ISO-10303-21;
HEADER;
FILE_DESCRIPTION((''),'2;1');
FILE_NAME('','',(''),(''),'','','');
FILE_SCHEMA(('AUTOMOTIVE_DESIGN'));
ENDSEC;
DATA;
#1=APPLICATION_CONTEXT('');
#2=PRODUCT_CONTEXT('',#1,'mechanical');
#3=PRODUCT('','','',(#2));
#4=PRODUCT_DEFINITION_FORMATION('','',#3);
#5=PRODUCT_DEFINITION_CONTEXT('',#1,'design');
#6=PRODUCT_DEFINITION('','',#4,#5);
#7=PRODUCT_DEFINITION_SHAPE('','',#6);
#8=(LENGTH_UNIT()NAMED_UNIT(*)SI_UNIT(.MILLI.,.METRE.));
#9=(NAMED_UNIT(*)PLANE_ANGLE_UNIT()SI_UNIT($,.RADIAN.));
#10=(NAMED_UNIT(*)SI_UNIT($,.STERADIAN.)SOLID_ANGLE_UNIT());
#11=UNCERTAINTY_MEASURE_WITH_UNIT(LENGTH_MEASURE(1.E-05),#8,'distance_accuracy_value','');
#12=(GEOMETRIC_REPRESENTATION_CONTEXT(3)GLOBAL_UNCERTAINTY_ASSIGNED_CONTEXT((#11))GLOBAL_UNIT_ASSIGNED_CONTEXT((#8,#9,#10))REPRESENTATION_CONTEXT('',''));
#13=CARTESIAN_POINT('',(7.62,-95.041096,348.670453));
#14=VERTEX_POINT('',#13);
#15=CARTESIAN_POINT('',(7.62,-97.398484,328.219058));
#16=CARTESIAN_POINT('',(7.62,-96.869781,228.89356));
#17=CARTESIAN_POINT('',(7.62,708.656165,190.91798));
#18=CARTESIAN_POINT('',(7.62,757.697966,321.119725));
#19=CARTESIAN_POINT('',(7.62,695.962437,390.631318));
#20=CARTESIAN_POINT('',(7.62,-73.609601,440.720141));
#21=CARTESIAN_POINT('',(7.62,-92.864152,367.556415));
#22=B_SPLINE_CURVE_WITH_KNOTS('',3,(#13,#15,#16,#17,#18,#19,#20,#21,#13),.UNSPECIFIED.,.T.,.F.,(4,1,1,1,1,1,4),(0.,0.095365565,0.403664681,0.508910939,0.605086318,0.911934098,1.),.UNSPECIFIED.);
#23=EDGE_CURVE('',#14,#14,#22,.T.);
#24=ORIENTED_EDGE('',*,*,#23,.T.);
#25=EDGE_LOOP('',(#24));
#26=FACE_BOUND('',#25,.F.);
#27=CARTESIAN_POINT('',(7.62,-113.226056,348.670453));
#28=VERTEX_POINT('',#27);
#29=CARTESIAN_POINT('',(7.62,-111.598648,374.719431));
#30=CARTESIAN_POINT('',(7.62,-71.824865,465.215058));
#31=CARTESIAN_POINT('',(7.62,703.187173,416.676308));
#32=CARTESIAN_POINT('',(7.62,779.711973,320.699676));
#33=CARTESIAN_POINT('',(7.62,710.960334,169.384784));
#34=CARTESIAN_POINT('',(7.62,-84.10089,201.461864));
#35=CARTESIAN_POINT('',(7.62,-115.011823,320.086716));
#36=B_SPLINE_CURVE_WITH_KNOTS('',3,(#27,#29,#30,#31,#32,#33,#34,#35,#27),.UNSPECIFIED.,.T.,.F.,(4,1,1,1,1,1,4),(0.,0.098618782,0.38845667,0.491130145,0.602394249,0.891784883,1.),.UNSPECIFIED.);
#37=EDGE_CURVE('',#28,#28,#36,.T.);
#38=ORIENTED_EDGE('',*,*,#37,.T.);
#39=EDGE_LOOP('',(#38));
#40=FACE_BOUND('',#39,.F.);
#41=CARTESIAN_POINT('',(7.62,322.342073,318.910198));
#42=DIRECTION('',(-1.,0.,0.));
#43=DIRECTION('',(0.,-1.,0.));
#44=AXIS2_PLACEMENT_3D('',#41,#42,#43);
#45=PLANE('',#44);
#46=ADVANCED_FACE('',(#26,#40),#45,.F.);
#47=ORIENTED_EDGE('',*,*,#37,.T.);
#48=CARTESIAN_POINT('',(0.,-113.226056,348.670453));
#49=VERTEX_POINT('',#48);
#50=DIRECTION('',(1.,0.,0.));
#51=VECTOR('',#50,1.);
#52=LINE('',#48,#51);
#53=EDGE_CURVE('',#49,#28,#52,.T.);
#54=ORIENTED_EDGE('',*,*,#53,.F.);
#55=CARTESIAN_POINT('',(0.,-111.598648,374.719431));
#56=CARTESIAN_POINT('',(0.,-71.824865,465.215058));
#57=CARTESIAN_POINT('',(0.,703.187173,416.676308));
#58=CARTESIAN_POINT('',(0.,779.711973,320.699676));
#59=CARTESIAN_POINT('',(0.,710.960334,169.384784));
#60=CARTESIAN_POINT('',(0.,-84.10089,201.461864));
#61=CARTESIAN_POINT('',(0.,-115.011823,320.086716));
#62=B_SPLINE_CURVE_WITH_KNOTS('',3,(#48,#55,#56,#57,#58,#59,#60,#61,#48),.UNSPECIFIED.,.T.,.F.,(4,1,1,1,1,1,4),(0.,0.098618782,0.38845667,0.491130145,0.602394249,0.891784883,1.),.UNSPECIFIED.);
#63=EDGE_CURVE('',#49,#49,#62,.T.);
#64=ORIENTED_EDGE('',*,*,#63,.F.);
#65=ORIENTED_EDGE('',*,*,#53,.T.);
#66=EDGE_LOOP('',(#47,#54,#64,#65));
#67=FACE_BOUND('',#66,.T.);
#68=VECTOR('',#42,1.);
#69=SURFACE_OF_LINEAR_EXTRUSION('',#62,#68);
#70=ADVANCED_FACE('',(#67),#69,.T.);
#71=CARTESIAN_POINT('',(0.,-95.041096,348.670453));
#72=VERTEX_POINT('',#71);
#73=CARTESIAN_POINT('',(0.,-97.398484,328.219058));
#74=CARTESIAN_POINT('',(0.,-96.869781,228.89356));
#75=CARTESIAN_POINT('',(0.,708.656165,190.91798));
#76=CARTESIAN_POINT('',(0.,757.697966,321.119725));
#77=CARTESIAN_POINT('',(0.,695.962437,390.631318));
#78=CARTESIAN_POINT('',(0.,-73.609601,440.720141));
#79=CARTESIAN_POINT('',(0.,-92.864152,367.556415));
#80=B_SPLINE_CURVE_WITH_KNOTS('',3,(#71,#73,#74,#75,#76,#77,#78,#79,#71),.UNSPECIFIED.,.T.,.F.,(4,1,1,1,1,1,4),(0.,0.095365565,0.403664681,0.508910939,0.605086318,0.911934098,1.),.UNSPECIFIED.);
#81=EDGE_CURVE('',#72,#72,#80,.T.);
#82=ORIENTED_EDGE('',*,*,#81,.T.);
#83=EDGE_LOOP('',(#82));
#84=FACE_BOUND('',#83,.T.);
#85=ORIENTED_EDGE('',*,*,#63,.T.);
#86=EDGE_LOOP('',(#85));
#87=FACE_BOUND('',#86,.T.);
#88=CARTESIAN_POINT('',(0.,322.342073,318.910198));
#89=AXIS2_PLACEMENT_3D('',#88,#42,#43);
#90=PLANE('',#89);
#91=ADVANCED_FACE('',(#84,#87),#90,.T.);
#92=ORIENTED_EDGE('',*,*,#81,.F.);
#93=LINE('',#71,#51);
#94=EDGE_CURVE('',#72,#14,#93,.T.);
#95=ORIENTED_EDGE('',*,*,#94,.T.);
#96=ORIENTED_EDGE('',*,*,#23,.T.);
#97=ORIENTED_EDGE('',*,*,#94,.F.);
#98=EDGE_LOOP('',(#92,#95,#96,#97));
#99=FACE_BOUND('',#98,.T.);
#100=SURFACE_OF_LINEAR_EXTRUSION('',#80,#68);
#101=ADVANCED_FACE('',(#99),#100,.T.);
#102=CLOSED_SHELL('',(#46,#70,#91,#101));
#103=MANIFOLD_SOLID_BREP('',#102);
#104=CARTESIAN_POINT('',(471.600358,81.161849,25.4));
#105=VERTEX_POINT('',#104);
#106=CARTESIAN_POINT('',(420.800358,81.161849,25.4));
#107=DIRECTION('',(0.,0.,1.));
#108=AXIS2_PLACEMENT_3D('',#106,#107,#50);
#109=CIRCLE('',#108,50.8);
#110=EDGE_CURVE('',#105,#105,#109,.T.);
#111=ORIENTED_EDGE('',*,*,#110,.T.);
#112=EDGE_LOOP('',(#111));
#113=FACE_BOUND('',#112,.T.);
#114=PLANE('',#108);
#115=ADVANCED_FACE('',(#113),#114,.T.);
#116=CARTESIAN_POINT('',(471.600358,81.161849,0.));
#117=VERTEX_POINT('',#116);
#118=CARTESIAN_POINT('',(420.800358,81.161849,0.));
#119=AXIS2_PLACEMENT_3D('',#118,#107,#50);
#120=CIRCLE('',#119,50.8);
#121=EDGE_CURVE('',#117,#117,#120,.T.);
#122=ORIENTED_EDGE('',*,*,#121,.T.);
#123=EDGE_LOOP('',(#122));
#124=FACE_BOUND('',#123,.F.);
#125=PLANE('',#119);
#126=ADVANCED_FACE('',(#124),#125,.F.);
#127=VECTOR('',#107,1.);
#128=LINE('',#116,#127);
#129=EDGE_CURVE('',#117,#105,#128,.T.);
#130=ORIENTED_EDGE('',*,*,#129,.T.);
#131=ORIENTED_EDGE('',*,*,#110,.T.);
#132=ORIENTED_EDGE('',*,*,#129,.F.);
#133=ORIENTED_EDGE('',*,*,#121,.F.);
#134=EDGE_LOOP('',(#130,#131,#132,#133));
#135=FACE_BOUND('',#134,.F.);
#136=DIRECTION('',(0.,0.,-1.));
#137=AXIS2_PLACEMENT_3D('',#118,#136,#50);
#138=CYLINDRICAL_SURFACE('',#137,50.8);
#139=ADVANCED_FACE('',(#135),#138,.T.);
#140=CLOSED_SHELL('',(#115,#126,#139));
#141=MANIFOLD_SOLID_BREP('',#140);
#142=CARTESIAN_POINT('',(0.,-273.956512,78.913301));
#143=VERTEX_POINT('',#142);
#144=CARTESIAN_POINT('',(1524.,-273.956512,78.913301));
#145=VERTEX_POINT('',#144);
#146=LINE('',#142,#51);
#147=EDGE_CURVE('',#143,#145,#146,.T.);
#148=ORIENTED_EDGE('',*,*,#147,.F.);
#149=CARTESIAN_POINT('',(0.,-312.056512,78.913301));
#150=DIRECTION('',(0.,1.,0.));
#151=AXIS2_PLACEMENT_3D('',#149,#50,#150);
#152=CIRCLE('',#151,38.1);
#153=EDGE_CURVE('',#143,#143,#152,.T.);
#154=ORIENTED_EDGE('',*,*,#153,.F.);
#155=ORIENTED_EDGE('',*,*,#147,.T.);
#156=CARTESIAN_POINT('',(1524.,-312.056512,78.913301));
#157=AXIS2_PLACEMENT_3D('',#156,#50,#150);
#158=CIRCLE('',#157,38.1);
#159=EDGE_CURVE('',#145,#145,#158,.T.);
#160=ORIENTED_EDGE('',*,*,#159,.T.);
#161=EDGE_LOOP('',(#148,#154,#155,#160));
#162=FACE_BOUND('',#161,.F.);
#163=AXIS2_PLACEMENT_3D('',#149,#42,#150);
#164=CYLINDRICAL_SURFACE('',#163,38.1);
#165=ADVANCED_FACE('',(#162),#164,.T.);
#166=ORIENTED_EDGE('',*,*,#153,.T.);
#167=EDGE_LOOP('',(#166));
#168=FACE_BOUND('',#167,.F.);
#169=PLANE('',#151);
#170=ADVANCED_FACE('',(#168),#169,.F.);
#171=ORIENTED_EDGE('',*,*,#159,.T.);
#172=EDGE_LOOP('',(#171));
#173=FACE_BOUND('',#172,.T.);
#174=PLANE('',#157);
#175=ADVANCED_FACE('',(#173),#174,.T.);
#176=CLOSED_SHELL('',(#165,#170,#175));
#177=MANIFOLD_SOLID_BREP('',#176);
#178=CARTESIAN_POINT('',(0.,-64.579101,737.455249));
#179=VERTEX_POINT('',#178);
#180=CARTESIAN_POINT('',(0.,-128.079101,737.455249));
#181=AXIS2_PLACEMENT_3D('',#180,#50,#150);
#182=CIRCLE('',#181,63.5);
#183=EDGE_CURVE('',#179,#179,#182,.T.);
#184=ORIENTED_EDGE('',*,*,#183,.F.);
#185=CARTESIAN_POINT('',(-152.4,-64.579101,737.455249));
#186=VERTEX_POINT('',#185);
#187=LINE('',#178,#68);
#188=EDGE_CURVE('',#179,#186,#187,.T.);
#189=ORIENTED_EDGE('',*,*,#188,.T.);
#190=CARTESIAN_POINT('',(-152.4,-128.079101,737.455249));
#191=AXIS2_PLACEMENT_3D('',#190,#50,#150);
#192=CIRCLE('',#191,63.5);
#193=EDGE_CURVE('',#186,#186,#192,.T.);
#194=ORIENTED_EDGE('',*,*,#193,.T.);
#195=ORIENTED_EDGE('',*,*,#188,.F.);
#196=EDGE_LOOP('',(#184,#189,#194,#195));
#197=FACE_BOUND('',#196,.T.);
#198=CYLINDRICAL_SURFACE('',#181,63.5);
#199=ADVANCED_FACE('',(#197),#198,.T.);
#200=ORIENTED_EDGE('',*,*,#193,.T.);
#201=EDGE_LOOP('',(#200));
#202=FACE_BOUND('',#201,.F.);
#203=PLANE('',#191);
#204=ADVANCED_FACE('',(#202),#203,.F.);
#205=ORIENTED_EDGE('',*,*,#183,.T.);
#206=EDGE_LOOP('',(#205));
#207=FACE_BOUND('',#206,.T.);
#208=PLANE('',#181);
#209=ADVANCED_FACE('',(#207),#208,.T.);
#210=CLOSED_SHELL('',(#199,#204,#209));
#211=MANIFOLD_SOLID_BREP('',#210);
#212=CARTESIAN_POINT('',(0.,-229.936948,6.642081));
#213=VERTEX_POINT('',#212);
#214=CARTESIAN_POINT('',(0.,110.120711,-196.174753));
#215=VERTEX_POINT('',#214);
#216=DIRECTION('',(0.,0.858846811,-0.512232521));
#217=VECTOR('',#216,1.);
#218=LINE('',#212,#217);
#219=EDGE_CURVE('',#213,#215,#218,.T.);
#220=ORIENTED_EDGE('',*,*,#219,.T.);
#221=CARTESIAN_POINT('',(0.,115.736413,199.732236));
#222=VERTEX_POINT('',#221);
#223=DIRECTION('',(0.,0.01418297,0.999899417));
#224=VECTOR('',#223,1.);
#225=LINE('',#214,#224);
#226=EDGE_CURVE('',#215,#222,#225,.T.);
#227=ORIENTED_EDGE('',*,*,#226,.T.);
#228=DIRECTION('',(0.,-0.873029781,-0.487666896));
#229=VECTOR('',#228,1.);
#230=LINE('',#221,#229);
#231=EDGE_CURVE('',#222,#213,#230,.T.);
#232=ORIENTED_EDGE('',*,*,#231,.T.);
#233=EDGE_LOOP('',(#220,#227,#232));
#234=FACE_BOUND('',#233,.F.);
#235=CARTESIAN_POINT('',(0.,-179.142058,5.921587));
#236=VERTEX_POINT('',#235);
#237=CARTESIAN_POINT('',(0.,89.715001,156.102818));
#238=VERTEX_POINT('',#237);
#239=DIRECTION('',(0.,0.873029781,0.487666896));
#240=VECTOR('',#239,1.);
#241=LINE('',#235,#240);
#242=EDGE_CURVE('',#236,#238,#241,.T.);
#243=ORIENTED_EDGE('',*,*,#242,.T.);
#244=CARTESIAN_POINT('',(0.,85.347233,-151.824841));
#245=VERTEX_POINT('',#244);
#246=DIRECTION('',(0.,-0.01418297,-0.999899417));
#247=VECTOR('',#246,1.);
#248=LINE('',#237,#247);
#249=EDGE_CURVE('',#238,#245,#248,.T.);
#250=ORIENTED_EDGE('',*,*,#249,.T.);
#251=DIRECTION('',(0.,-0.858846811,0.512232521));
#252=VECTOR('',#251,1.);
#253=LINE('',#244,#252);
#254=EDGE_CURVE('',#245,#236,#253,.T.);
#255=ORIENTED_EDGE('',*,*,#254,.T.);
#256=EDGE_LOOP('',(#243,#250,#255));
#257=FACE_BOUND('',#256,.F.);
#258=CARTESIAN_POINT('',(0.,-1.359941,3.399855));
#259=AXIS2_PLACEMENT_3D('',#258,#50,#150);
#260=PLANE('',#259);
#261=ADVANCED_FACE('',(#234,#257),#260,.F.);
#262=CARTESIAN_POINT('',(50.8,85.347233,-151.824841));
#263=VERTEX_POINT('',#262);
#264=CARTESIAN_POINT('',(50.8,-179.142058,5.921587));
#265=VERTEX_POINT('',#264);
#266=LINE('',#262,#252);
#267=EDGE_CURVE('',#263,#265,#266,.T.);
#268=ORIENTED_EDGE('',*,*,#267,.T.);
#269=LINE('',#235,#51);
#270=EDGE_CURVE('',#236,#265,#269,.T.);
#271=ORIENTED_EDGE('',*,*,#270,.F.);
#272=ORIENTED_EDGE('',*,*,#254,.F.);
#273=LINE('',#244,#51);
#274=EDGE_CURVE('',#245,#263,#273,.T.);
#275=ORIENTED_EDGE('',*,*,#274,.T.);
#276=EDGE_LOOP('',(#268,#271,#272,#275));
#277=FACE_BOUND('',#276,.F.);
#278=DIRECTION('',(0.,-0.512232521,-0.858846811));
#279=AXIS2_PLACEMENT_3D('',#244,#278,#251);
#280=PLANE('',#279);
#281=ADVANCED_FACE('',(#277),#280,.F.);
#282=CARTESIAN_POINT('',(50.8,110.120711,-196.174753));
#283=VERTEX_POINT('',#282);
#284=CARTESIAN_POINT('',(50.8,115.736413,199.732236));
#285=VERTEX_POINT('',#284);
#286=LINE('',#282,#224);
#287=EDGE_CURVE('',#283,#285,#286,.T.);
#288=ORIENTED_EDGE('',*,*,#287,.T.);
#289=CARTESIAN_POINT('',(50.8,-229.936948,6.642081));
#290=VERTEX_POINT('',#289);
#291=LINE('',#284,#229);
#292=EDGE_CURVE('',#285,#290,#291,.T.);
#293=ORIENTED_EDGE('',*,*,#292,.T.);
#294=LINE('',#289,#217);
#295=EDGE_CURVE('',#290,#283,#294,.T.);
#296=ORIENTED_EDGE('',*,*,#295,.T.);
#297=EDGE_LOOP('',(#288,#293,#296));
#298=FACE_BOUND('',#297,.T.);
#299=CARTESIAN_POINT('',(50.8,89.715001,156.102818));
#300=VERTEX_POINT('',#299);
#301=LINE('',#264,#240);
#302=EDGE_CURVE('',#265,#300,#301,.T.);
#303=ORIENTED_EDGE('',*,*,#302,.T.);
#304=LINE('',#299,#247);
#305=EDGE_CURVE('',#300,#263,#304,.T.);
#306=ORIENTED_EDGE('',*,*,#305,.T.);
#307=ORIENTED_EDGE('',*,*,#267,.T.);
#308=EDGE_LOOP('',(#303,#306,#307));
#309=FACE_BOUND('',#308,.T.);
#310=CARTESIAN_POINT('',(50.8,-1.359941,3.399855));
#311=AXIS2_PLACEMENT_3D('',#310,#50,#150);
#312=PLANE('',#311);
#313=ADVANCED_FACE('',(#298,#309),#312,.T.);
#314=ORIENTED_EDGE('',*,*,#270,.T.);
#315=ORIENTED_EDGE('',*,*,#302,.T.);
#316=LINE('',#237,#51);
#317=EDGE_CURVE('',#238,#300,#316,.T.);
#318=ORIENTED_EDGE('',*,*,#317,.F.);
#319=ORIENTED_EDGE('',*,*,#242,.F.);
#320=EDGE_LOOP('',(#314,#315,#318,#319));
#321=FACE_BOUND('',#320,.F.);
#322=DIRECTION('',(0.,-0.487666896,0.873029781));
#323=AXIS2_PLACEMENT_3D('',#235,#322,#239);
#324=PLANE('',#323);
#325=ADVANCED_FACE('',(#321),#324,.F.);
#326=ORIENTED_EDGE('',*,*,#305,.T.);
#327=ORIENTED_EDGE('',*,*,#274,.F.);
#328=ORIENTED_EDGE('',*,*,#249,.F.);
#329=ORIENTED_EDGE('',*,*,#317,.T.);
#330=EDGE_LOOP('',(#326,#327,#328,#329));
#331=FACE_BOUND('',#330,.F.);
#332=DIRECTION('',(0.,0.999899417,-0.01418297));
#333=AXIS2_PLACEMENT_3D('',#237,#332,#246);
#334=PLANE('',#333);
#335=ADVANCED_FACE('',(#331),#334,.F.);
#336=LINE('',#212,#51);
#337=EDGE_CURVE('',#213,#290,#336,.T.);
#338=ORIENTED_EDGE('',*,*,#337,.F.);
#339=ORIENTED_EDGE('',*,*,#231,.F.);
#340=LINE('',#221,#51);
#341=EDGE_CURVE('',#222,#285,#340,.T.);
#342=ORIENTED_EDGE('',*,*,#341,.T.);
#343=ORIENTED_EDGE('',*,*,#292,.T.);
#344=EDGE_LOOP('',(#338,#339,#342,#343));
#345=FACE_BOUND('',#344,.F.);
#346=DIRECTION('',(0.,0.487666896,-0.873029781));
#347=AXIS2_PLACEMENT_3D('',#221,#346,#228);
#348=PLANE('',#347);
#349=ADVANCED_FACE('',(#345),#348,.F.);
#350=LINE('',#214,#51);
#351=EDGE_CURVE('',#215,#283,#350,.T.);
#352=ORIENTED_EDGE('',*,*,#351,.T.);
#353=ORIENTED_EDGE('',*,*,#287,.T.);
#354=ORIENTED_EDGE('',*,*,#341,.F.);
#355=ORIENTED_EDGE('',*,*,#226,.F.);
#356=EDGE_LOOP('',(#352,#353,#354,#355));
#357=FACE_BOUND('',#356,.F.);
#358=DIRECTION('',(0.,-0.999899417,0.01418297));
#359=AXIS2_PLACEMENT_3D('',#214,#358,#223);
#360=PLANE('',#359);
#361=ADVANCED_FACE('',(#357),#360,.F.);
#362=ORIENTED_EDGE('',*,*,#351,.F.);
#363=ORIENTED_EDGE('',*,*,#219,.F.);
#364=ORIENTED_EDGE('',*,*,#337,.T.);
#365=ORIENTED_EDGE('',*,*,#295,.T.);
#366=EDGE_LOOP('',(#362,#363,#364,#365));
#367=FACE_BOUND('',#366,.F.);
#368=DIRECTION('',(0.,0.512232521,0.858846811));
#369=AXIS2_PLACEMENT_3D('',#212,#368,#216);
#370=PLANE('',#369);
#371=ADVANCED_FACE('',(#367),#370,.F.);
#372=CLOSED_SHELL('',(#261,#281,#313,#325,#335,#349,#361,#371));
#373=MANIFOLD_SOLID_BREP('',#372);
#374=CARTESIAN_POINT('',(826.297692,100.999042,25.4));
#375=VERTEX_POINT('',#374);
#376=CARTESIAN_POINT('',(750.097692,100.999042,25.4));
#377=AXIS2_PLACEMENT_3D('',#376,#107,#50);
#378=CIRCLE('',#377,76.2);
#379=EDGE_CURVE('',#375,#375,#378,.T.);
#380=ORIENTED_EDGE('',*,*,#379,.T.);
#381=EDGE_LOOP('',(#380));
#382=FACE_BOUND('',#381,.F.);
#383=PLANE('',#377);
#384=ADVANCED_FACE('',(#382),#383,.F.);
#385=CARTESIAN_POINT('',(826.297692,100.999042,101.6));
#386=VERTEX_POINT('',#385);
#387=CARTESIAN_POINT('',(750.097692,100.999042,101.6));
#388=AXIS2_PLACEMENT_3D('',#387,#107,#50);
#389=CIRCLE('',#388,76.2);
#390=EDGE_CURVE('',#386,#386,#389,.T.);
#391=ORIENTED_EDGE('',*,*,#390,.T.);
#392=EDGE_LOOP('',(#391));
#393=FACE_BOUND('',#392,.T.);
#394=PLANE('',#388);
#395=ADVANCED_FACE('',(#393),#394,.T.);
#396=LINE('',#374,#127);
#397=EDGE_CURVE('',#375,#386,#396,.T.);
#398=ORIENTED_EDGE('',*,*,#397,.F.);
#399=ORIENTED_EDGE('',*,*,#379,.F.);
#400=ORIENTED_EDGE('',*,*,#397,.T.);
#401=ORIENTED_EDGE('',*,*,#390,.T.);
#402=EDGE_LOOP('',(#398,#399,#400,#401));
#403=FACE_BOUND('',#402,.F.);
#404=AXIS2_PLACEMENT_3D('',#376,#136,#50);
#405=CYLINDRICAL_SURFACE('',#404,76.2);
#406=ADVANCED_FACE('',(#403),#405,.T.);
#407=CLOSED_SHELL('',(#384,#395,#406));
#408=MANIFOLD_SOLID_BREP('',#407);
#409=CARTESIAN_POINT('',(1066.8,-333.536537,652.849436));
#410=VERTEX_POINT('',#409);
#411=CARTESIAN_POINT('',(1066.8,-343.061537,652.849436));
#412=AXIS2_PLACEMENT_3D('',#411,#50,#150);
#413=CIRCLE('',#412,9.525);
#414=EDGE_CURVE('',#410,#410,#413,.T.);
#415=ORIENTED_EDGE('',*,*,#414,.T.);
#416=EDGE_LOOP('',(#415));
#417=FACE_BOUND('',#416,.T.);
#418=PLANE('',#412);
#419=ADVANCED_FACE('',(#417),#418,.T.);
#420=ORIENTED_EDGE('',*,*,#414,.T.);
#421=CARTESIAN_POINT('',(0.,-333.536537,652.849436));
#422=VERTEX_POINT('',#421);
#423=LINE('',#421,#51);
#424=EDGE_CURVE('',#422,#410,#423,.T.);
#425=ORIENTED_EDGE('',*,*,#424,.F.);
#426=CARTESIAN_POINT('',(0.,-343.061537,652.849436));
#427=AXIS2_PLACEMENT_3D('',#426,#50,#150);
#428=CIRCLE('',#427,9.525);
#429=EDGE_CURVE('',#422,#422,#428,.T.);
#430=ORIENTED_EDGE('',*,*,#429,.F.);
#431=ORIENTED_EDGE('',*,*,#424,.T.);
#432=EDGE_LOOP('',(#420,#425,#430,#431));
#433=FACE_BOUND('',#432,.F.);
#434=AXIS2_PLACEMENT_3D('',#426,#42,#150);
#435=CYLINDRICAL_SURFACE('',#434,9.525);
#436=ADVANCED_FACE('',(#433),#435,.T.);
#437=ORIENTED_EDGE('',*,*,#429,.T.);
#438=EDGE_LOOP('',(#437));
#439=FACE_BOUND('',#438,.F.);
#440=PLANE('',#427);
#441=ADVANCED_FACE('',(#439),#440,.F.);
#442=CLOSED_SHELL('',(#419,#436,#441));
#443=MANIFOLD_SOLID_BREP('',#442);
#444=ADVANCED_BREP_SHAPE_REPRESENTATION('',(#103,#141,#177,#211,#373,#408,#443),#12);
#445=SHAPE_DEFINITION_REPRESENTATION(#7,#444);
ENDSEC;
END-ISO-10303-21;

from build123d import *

# Parameters (mm, degrees)
F1_DEPTH  = 50.8
F2_R      = 38.1
F3_DEPTH  = 1524
F4_R      = 50.8
F5_DEPTH  = 25.4
F6_R      = 76.2
F7_DEPTH  = 76.2
F9_DEPTH  = 7.62
F10_R     = 63.5
F11_DEPTH = 152.4
F12_R     = 9.525
F13_DEPTH = 1066.8


with BuildPart() as f1:
    # F0 (on Right) → F1 (new body)
    with BuildSketch(Plane.YZ):
        Polygon((115.7364128716, 199.7322355401), (-229.9369479617, 6.6420814406), (110.1207111258, -196.1747534029), align=None)
        Polygon((89.7150008287, 156.102817537), (85.3472328042, -151.8248405298), (-179.1420575972, 5.9215865706), align=None, mode=Mode.SUBTRACT)
    extrude(amount=F1_DEPTH)


with BuildPart() as f3:
    # F2 (on Right) → F3 (new body)
    with BuildSketch(Plane.YZ):
        with Locations((-312.0565116405, 78.9133012295)):
            Circle(F2_R)
    extrude(amount=F3_DEPTH)


with BuildPart() as f5:
    # F4 (on Top) → F5 (new body)
    with BuildSketch(Plane.XY):
        with Locations((420.800358057, 81.1618492007)):
            Circle(F4_R)
    extrude(amount=F5_DEPTH)


with BuildPart() as f7:
    # F6 (on face) → F7 (new body)
    with BuildSketch(Plane.XY.offset(25.4)):
        with Locations((750.0976920128, 100.9990423918)):
            Circle(F6_R)
    extrude(amount=F7_DEPTH)


with BuildPart() as f9:
    # F8 (on Right) → F9 (new body)
    with BuildSketch(Plane.YZ):
        with BuildLine():
            add(Edge.make_bspline(
                [(-113.2260560989, 348.6704528332), (-111.5986476453, 374.7194313417), (-71.8248650959, 465.2150575871), (703.1871731765, 416.6763077226), (779.7119729021, 320.6996757141), (710.9603337595, 169.38478396), (-84.100889713, 201.4618641577), (-115.0118234063, 320.0867164593), (-113.2260560989, 348.6704528332)],
                knots=[0, 0, 0, 0, 0.0986187818, 0.3884566695, 0.4911301447, 0.6023942495, 0.8917848829, 1, 1, 1, 1], degree=3))
        make_face()
        with BuildLine():
            add(Edge.make_bspline(
                [(-95.0410962105, 348.6704528332), (-97.3984842573, 328.2190584594), (-96.86978092, 228.8935596604), (708.6561650669, 190.9179800331), (757.697965788, 321.1197253157), (695.9624369612, 390.6313177774), (-73.6096009289, 440.7201414771), (-92.8641521055, 367.5564154051), (-95.0410962105, 348.6704528332)],
                knots=[0, 0, 0, 0, 0.0953655653, 0.4036646806, 0.5089109387, 0.6050863181, 0.9119340978, 1, 1, 1, 1], degree=3))
        make_face(mode=Mode.SUBTRACT)
    extrude(amount=F9_DEPTH)


with BuildPart() as f11:
    # F10 (on face) → F11 (new body)
    with BuildSketch(Plane.YZ):
        with Locations((-128.0791014433, 737.4552488327)):
            Circle(F10_R)
    extrude(amount=-F11_DEPTH)


with BuildPart() as f13:
    # F12 (on face) → F13 (new body)
    with BuildSketch(Plane.YZ):
        with Locations((-343.0615365505, 652.8494358063)):
            Circle(F12_R)
    extrude(amount=F13_DEPTH)


solid = Compound([f1.part, f3.part, f5.part, f7.part, f9.part, f11.part, f13.part])
